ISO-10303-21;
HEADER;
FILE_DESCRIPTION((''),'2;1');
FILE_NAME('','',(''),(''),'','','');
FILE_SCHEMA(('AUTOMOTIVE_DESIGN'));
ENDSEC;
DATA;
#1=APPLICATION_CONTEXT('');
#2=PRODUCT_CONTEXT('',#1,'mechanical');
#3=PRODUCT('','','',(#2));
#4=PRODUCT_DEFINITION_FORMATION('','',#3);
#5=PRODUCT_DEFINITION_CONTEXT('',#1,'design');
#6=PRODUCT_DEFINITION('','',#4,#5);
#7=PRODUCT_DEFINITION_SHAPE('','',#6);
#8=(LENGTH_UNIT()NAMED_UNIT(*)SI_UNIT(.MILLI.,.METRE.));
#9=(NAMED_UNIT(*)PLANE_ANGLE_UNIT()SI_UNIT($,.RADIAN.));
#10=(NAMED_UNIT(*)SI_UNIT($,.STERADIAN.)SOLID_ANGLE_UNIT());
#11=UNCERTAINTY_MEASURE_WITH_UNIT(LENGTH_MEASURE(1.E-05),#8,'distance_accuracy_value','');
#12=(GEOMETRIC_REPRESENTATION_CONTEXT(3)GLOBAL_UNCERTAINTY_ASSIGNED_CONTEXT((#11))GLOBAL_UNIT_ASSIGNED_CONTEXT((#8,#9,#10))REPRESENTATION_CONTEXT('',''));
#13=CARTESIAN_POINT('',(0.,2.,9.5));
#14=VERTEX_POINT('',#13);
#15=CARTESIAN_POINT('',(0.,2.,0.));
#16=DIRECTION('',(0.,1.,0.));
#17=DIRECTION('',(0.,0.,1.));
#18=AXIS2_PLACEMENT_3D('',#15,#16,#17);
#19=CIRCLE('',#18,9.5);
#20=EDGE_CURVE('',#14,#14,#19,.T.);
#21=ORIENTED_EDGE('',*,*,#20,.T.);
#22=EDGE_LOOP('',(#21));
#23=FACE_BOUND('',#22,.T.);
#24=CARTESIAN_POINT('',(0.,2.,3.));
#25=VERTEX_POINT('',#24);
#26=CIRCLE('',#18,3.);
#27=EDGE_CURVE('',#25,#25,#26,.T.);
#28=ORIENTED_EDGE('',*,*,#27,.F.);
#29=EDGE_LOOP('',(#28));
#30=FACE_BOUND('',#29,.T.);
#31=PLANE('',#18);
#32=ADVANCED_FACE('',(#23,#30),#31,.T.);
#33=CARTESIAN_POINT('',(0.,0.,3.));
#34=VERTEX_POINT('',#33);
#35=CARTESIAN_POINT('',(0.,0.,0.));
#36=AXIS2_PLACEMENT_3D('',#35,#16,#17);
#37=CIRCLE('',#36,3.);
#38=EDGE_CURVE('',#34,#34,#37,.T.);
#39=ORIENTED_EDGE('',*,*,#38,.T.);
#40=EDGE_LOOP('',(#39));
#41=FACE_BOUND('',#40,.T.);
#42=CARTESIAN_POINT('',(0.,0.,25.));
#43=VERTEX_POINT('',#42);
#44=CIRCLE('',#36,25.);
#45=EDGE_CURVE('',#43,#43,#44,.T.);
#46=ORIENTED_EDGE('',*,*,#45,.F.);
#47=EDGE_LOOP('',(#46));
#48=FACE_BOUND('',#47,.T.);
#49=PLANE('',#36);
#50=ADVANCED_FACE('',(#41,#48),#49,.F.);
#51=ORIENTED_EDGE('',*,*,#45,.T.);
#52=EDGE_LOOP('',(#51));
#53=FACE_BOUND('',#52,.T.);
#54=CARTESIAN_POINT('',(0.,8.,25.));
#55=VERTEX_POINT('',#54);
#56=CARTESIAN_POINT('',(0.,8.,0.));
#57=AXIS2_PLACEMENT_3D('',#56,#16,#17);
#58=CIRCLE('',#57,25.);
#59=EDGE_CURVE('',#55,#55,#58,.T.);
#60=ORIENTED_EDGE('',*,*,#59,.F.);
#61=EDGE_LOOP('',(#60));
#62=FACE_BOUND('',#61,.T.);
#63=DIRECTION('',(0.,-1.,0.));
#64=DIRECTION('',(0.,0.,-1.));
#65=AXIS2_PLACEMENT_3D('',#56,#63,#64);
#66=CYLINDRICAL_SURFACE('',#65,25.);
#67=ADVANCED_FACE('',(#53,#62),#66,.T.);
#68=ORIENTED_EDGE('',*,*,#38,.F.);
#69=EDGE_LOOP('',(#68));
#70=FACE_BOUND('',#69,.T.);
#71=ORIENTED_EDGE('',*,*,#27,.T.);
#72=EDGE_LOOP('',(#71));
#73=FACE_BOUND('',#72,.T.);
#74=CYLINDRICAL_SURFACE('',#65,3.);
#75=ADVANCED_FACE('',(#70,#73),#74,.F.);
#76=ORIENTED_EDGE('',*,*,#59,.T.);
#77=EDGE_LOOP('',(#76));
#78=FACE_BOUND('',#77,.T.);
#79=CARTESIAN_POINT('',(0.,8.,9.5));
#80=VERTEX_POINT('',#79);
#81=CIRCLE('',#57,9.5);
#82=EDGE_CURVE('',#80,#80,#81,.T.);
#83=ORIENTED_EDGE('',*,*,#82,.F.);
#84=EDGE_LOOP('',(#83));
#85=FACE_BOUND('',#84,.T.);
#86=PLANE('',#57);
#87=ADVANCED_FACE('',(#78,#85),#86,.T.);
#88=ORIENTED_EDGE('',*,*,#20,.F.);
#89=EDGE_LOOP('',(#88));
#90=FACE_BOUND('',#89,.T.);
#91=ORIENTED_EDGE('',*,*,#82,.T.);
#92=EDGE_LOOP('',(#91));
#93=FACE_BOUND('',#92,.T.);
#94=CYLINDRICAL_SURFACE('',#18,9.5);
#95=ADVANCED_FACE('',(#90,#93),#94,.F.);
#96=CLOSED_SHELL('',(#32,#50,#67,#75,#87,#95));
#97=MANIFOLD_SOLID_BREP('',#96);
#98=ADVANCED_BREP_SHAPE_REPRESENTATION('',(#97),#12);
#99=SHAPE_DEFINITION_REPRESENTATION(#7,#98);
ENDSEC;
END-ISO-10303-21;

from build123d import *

# Parameters (mm, degrees)
ESQUISSE1_R                  = 25
BOSS_EXTRU_1_DEPTH           = 8
ESQUISSE2_R                  = 9.5
ENL_V_MAT_EXTRU_1_DEPTH      = 6
ENL_V_MAT_EXTRU_2_DEPTH      = 37.249137921
ENL_V_MAT_EXTRU_2_DEPTH_BACK = 37.249137921
ESQUISSE4_R                  = 3


with BuildPart() as part:
    # Esquisse1 → Boss.-Extru.1 (new body)
    with BuildSketch(Plane(origin=(0, 0, 0), x_dir=(1, 0, 0), z_dir=(0, 1, 0))):
        with Locations(Location((0, 0, 0), (0, 0, 270))):
            Circle(ESQUISSE1_R)
    extrude(amount=BOSS_EXTRU_1_DEPTH)

    # Esquisse2 → Enlèv. mat.-Extru.1 (cut)
    with BuildSketch(Plane(origin=(0, 8, 0), x_dir=(1, 0, 0), z_dir=(0, 1, 0))):
        with Locations(Location((0, 0, 0), (0, 0, 270))):
            Circle(ESQUISSE2_R)
    extrude(amount=-ENL_V_MAT_EXTRU_1_DEPTH, mode=Mode.SUBTRACT)

    # Esquisse4 → Enlèv. mat.-Extru.2 (cut, two sides: drawn at the far end of the back side and taken through both)
    with BuildSketch(Plane.XZ.offset(-ENL_V_MAT_EXTRU_2_DEPTH_BACK)):
        with Locations(Location((0, 0, 0), (0, 0, 90))):
            Circle(ESQUISSE4_R)
    extrude(amount=ENL_V_MAT_EXTRU_2_DEPTH + ENL_V_MAT_EXTRU_2_DEPTH_BACK, mode=Mode.SUBTRACT)


solid = part.part
